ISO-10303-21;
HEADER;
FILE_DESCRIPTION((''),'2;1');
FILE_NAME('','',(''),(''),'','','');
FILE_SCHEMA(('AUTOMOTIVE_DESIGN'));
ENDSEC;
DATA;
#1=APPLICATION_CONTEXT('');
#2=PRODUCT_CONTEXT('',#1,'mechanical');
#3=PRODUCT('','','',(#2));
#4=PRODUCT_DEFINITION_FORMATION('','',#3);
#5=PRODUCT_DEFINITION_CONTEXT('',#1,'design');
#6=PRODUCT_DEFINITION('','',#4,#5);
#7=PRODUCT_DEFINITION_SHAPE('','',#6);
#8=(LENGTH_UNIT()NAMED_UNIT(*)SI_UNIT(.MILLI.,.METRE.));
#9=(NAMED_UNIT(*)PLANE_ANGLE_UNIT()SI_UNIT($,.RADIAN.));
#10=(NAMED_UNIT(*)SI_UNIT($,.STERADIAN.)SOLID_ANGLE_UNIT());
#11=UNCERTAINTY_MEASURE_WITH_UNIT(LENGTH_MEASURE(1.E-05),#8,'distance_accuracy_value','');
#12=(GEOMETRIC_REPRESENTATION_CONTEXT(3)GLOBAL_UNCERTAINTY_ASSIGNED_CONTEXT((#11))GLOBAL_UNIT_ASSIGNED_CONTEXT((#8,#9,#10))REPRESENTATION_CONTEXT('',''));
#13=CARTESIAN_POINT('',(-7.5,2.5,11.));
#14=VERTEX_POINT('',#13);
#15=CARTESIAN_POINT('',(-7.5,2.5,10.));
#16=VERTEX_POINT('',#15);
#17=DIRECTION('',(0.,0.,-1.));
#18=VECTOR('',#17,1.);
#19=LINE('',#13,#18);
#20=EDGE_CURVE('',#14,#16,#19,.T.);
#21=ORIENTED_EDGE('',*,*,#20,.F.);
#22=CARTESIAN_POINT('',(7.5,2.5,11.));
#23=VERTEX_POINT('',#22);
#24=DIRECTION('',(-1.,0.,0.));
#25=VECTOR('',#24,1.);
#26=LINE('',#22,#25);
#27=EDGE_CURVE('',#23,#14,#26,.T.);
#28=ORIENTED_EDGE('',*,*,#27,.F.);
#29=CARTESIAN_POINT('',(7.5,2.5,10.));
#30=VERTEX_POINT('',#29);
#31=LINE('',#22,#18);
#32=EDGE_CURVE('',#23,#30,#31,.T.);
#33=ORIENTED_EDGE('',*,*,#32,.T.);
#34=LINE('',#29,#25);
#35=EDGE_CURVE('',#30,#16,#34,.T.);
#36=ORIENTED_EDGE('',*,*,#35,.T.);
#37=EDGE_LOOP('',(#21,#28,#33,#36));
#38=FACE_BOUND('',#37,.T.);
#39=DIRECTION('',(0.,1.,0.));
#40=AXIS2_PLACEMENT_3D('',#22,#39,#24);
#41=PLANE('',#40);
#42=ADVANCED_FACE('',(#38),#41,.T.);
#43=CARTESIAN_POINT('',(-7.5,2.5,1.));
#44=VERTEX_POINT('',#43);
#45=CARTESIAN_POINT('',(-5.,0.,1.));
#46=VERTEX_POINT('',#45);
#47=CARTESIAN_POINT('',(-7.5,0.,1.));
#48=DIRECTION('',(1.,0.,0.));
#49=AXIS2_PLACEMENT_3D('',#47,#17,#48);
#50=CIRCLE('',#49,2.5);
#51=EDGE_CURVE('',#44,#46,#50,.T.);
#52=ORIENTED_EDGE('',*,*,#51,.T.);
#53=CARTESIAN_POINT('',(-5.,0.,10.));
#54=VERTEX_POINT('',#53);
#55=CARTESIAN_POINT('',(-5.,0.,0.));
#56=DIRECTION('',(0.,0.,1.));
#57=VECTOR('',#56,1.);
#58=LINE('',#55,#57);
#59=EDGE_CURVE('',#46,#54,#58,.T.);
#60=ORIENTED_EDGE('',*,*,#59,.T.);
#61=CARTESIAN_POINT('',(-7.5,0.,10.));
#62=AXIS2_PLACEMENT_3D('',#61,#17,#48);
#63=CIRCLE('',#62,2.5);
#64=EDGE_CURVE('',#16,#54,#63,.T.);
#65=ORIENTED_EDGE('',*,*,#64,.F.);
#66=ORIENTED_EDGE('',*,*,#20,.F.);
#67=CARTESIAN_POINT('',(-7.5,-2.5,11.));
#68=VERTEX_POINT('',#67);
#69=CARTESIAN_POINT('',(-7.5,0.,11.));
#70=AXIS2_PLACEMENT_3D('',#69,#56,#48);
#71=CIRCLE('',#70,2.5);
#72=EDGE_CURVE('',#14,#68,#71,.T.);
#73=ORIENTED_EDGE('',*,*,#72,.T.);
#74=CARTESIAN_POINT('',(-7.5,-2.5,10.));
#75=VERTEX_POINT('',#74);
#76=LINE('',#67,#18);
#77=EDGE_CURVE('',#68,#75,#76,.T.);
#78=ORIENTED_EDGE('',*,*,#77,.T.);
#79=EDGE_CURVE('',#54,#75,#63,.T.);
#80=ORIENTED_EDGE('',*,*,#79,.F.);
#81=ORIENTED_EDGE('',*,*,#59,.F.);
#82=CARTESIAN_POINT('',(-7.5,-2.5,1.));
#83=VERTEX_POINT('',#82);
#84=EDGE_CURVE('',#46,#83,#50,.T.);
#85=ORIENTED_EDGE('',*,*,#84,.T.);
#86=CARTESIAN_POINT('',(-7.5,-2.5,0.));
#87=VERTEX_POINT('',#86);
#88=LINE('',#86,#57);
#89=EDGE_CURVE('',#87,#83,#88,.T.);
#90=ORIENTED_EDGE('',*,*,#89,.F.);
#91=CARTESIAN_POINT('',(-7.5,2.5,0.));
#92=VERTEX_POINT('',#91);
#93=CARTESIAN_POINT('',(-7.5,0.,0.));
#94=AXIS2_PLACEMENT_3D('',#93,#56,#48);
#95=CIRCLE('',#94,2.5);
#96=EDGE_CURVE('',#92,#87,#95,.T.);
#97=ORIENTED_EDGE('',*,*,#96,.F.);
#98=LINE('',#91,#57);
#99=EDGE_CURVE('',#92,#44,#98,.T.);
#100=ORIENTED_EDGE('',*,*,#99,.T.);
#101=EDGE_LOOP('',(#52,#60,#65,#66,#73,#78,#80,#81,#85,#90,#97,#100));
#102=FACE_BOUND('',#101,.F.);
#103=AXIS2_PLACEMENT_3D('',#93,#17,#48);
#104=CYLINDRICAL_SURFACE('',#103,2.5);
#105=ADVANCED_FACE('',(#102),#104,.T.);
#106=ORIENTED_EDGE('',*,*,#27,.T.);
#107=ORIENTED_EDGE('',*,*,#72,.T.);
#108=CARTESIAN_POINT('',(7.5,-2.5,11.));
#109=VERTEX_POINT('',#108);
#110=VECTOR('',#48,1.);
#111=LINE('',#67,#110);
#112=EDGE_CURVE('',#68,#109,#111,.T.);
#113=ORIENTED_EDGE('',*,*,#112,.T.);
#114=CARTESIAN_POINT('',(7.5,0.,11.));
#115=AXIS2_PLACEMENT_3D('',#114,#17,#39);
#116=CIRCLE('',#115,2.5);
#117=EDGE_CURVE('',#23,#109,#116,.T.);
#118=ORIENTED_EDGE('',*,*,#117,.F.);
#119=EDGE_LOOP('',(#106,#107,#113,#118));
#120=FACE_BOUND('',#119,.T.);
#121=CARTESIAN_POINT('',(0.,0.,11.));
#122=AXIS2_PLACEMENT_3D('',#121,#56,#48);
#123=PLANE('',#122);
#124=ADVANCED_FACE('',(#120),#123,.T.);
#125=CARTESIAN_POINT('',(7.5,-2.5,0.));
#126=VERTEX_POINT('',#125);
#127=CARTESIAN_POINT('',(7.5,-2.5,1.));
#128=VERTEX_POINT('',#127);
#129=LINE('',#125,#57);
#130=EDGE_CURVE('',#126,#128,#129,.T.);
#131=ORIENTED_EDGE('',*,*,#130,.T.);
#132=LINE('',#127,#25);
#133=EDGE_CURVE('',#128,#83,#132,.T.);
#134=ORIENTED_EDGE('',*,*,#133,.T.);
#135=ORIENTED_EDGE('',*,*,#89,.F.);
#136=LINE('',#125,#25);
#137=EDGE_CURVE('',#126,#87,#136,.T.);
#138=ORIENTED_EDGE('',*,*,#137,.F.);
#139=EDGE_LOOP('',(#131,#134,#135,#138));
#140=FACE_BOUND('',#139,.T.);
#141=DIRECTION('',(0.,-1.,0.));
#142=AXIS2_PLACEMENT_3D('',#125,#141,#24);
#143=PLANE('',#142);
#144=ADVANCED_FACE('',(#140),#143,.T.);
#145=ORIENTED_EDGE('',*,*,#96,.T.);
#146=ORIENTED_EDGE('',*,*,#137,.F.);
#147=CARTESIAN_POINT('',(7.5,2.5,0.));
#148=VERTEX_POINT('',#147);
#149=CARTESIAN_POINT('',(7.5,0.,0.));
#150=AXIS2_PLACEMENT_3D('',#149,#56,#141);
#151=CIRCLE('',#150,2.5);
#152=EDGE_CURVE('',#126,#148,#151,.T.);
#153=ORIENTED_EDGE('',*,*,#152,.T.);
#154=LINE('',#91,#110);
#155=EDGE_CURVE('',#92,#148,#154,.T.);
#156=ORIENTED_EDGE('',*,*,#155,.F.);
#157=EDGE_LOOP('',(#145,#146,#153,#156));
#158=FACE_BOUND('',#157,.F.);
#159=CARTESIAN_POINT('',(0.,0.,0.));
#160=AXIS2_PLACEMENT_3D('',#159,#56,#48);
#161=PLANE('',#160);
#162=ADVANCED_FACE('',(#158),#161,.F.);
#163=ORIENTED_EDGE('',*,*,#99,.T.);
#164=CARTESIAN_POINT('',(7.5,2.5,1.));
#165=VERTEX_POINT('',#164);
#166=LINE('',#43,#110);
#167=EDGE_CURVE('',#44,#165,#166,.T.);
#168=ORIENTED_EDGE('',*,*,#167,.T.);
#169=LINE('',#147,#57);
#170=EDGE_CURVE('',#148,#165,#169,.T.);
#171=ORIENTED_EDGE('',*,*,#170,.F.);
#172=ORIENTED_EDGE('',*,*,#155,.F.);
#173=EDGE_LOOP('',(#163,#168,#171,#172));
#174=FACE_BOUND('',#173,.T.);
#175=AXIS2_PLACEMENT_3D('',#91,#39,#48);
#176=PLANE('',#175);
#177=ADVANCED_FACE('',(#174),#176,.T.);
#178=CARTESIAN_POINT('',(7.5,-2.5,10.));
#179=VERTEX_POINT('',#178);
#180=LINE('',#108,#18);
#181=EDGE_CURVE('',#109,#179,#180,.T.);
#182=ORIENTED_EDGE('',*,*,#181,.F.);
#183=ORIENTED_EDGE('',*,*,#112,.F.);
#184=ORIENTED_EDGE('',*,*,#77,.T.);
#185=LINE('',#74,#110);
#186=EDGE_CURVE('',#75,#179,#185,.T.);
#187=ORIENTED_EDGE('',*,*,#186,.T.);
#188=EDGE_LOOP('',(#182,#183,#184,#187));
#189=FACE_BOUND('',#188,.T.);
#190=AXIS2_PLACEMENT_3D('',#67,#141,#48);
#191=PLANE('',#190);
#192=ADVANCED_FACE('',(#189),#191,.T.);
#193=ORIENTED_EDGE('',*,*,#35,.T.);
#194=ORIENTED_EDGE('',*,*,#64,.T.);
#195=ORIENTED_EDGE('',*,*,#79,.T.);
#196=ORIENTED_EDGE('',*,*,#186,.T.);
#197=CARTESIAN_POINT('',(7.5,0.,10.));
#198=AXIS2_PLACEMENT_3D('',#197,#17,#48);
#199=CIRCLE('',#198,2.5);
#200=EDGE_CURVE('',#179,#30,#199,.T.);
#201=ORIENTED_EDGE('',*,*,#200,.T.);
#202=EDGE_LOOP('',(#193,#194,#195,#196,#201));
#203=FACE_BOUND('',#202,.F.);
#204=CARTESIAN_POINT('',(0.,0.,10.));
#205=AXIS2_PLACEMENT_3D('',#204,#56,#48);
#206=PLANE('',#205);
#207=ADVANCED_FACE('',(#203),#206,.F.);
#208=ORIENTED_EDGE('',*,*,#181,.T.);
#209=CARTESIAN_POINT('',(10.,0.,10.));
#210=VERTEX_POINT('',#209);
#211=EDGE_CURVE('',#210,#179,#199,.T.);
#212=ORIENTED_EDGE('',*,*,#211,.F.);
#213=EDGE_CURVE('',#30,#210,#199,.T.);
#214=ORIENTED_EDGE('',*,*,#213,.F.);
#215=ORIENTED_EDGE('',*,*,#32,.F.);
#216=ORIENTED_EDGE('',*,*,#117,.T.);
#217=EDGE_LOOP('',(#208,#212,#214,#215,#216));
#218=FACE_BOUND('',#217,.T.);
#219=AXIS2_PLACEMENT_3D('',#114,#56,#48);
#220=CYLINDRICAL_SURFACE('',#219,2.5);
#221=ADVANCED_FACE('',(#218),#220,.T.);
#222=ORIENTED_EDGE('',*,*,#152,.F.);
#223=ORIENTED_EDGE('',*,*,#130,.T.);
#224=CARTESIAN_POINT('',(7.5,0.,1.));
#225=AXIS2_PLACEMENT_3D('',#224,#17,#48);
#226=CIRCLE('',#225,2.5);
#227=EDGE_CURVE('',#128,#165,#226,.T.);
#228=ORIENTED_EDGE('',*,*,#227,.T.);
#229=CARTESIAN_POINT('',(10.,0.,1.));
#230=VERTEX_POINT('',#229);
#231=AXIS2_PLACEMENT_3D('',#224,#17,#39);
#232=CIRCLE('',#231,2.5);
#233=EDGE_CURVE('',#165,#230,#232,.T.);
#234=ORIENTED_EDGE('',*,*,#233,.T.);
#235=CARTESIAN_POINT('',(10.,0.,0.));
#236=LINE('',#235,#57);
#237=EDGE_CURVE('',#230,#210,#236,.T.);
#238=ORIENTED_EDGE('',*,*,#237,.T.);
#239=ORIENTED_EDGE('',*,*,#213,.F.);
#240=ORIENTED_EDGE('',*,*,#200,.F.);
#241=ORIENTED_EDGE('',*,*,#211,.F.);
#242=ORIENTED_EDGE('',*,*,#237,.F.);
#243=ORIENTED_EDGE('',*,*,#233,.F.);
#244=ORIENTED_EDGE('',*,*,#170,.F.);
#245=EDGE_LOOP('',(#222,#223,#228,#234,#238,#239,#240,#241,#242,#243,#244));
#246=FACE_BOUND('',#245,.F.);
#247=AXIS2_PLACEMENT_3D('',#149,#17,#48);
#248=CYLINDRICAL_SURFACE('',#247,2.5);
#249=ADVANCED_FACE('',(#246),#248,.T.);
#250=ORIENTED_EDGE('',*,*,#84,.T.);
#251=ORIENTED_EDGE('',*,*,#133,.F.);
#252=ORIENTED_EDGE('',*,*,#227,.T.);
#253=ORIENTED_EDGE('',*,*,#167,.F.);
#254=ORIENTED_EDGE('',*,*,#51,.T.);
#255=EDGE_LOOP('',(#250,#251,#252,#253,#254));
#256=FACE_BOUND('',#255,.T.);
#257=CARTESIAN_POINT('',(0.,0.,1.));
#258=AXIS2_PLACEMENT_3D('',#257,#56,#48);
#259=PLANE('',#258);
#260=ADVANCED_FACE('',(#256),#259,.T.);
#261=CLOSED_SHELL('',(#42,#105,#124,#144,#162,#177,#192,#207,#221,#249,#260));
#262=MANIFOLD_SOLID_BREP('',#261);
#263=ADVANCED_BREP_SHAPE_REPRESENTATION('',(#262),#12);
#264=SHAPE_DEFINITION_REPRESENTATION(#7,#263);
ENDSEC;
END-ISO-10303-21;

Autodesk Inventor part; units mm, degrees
ref_plane "YZ Plane" through (0, 0, 0) normal (1, 0, 0) x (0, 1, 0)
ref_plane "XZ Plane" through (0, 0, 0) normal (0, 1, 0) x (-1, 0, 0)
sketch "Sketch1" plane through (0, 0, 0) normal (0, 0, 1) x (1, 0, 0)
  line L0 (-7.5, 2.5) -> (7.5, 2.5)
  line L1 (7.5, -2.5) -> (-7.5, -2.5)
  line L2 (-7.5, 2.5) -> (7.5, -2.5) construction
  line L3 (7.5, 2.5) -> (-7.5, -2.5) construction
  circle A0 centre (-7.5, 0) radius 2.5
  circle A1 centre (7.5, 0) radius 2.5
  point P0 (0, 0)
  point P1 (0, 0)
  point P2 (0, 0)
  dimension "d1" = 5
  dimension "d9" = 7.5
  dimension "d10" = 7.5
extrude "Extrusion1" add sketch "Sketch1" along normal blind 1
extrude "Extrusion2" add sketch "Sketch1" along normal blind 10 contours A0 | A1
ref_plane "Work Plane1" through (0, 0, 11) normal (0, 0, 1) x (1, 0, 0)
sketch "Sketch2" plane through (0, 0, 11) normal (0, 0, 1) x (1, 0, 0)
  arc A0 (7.5, 2.5) -> (7.5, -2.5) centre (7.5, 0) ccw projected
  line L0 (7.5, 2.5) -> (-7.5, 2.5) projected
  arc A1 (-7.5, -2.5) -> (-7.5, 2.5) centre (-7.5, 0) ccw projected
  line L1 (-7.5, -2.5) -> (7.5, -2.5) projected
  circle A2 centre (-7.5, 0) radius 2.5 projected
  circle A3 centre (7.5, 0) radius 2.5 projected
  point P0 (0, 0)
  point P1 (-7.5, -2.5)
  point P2 (7.5, -2.5)
extrude "Extrusion3" add sketch "Sketch2" against normal blind 1
equation "\"d9\" = d10"
